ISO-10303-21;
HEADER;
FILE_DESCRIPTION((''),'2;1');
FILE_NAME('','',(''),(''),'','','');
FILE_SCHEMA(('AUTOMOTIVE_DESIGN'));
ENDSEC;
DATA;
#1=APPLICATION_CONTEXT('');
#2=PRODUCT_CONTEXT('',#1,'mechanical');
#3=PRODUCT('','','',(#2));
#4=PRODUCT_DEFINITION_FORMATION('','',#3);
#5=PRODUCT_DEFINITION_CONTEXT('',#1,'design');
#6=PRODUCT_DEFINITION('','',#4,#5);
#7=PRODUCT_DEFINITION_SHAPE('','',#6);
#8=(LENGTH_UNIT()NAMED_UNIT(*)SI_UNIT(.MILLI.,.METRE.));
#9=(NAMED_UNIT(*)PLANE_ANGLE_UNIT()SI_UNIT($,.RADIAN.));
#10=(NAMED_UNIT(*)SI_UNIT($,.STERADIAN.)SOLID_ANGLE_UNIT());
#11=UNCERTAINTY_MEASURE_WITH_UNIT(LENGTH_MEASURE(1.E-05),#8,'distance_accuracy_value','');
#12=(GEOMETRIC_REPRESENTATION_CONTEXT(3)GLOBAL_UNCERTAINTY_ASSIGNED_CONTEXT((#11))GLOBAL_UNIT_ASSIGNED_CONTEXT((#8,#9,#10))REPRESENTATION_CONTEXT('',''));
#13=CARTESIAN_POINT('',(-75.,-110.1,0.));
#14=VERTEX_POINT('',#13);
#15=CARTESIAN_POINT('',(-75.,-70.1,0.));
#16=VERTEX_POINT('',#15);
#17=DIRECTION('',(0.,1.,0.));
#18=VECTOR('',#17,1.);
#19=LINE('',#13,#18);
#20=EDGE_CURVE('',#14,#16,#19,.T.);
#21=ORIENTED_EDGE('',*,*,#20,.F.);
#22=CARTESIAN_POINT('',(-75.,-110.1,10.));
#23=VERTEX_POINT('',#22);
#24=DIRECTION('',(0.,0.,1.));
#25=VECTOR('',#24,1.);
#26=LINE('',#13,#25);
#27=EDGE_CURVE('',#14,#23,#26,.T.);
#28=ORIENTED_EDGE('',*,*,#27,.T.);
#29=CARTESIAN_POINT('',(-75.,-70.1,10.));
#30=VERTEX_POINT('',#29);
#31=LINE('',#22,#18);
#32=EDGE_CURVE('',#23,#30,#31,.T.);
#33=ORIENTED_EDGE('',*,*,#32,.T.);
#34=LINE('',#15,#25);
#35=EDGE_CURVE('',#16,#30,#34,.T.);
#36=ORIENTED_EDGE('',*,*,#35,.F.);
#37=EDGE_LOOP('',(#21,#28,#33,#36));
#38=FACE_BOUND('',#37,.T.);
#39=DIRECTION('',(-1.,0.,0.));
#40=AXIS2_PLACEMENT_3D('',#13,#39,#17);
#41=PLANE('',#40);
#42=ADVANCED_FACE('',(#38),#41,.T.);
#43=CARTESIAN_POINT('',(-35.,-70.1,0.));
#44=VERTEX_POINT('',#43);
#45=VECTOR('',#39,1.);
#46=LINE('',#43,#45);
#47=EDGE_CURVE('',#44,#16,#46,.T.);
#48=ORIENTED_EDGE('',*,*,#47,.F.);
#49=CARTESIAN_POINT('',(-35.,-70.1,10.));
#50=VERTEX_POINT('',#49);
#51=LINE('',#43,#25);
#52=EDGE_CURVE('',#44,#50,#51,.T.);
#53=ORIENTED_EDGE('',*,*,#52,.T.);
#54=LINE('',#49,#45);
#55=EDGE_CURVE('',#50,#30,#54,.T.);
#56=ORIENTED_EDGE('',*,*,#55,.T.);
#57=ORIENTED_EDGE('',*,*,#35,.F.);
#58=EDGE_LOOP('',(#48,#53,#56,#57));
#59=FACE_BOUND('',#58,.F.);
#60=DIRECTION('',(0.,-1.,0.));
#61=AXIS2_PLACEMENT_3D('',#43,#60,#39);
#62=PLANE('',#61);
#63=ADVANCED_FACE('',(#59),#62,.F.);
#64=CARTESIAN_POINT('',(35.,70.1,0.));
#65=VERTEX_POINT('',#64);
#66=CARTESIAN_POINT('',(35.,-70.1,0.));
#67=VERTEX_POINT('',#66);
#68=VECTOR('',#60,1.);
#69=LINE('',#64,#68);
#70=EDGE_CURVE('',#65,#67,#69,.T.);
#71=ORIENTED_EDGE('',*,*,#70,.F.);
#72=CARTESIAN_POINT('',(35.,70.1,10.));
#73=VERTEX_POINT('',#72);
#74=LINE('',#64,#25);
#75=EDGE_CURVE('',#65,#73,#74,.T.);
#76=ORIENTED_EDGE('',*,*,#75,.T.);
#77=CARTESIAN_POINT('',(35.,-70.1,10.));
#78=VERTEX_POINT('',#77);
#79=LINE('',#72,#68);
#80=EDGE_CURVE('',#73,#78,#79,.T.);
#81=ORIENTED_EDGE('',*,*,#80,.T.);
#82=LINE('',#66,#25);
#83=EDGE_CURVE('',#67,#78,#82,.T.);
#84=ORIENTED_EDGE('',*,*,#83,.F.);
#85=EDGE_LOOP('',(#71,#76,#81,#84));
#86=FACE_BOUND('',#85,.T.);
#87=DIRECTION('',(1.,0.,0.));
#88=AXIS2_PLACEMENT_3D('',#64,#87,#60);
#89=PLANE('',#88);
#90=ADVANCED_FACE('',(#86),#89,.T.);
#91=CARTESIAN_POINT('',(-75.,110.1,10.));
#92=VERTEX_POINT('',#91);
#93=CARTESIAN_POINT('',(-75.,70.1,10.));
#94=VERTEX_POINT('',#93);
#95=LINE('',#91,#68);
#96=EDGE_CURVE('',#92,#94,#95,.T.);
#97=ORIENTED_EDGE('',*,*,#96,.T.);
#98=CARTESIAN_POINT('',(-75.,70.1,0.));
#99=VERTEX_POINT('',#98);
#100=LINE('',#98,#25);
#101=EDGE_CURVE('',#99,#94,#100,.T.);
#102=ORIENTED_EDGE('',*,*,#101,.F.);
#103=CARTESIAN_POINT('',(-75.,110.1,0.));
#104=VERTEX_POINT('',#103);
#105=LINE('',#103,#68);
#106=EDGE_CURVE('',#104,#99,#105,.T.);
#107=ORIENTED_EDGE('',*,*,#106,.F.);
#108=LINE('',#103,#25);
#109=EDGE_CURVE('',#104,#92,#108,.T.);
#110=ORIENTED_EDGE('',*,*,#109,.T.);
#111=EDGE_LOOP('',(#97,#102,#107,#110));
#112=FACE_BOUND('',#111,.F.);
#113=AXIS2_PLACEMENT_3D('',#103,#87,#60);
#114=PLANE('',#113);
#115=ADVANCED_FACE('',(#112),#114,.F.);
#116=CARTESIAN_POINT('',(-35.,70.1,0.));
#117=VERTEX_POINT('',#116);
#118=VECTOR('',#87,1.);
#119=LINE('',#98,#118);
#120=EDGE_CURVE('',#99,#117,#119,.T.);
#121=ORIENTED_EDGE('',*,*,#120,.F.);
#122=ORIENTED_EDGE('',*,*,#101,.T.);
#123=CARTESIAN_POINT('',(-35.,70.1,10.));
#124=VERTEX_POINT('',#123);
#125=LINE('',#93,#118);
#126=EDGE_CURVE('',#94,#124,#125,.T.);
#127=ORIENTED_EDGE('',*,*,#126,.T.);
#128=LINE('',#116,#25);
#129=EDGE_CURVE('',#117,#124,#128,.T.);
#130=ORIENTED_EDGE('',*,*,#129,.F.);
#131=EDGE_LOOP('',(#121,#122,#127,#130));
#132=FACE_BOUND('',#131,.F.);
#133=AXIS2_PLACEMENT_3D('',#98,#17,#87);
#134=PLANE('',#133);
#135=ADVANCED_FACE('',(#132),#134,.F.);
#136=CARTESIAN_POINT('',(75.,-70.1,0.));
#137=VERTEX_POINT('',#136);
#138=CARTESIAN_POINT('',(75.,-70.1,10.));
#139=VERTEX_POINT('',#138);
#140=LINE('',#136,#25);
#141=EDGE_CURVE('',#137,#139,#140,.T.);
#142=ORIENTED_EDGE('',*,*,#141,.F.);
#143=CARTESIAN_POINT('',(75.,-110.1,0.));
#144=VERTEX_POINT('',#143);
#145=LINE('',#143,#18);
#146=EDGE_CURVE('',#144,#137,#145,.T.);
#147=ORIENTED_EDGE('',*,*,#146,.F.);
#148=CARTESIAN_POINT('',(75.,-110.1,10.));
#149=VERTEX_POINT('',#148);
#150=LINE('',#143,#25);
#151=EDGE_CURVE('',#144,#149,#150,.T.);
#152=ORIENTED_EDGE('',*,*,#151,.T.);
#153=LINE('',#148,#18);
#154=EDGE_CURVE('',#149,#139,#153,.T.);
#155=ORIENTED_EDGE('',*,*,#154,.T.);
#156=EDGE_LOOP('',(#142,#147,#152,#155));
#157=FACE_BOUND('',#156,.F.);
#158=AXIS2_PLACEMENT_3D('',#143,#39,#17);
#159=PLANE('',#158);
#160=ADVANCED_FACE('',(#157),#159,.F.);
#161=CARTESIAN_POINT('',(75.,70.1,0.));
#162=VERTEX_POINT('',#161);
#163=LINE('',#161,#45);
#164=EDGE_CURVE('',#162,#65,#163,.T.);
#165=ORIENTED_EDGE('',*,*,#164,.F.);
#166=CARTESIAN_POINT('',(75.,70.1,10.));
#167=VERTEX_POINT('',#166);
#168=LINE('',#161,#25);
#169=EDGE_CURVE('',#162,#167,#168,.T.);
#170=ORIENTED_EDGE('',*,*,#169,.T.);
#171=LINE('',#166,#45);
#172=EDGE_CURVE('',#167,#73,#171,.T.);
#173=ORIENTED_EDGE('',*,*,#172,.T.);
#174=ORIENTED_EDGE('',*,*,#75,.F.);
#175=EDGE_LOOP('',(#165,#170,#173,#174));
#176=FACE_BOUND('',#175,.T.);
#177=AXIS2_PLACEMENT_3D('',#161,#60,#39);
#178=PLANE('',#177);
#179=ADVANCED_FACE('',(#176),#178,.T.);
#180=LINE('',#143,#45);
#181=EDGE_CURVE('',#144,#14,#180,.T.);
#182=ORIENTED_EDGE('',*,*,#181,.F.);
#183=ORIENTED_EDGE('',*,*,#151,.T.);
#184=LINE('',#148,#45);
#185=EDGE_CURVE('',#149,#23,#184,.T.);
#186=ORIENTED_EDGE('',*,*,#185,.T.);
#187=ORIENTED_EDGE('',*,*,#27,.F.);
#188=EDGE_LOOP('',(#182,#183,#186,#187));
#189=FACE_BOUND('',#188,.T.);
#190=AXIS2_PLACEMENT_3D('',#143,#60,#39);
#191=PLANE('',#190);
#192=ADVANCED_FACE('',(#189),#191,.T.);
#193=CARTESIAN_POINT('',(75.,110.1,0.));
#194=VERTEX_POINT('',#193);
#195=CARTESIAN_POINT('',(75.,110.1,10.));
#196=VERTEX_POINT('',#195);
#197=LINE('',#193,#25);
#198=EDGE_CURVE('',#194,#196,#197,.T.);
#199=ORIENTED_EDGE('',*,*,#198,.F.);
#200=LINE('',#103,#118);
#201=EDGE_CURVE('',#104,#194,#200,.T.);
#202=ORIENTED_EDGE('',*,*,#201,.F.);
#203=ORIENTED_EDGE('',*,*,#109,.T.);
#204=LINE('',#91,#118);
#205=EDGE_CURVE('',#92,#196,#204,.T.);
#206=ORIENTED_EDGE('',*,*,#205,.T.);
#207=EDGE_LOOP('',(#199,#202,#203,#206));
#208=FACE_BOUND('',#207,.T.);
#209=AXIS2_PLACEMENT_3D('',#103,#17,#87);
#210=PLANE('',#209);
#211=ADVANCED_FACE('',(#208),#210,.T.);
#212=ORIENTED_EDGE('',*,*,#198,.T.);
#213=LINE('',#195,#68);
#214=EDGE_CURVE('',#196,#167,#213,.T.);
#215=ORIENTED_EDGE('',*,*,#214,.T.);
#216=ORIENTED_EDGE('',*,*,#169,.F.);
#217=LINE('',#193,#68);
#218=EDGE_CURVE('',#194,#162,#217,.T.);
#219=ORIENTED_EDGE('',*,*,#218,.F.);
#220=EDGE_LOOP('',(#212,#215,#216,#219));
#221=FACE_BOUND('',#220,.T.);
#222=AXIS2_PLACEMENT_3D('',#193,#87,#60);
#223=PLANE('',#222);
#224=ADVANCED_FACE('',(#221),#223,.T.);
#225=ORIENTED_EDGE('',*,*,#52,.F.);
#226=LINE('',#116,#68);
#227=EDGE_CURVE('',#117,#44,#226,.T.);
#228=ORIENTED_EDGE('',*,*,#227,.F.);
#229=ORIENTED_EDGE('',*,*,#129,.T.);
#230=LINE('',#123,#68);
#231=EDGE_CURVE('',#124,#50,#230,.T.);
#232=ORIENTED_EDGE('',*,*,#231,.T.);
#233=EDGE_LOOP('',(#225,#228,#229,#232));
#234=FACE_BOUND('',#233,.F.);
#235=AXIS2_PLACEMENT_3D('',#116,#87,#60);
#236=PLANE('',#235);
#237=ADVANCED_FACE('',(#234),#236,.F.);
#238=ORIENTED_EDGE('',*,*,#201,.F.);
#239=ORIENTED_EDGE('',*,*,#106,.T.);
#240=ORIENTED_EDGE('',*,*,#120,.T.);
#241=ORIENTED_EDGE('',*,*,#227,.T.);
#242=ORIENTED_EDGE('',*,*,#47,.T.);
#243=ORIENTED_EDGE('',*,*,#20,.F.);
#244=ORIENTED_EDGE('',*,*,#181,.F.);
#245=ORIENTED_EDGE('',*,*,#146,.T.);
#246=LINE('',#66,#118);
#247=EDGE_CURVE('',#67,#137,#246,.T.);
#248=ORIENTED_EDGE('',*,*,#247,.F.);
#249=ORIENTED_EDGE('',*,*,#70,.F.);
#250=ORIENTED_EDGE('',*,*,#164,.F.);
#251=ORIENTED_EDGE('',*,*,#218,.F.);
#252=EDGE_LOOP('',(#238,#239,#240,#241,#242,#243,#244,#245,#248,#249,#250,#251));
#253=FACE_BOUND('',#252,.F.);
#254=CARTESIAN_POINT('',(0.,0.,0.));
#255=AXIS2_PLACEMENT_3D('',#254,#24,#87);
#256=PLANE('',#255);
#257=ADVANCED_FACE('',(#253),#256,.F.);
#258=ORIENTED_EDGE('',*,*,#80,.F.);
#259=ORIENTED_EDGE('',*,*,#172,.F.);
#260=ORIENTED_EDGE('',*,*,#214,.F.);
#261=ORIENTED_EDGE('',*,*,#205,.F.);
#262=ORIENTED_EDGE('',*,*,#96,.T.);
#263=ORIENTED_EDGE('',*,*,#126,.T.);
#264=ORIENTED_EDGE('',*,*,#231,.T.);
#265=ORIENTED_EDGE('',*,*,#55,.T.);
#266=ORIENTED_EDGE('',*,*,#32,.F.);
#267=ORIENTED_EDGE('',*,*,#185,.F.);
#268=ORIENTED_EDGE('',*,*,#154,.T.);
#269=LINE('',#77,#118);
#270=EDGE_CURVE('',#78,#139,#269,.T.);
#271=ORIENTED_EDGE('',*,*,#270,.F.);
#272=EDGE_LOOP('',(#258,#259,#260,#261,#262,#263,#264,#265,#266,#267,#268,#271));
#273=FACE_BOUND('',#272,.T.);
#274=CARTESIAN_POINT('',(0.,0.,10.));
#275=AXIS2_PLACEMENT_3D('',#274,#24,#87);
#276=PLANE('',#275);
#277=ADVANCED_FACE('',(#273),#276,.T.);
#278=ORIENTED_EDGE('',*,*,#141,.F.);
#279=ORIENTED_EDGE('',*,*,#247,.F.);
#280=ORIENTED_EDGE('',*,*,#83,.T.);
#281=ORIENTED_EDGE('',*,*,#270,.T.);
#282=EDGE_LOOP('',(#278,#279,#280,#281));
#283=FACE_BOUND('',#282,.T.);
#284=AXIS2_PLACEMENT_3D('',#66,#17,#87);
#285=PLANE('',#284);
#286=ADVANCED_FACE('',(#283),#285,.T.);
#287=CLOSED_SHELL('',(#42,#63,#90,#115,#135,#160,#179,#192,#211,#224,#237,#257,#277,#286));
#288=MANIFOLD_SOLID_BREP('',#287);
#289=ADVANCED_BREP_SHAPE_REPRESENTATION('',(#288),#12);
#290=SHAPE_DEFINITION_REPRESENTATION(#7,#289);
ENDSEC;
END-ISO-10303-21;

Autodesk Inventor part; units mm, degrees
ref_plane "YZ Plane" through (0, 0, 0) normal (1, 0, 0) x (0, 1, 0)
ref_plane "XZ Plane" through (0, 0, 0) normal (0, 1, 0) x (-1, 0, 0)
ref_plane "XY Plane" through (0, 0, 0) normal (0, 0, 1) x (1, 0, 0)
sketch "Sketch1" plane through (0, 0, 0) normal (0, 0, 1) x (1, 0, 0)
  line L0 (-65, 100.1) -> (65, 100.1) construction
  line L1 (65, 100.1) -> (65, -100.1) construction
  line L2 (65, -100.1) -> (-65, -100.1) construction
  line L3 (-65, -100.1) -> (-65, 100.1) construction
  line L4 (-65, 100.1) -> (65, -100.1) construction
  line L5 (65, 100.1) -> (-65, -100.1) construction
  line L6 (-75, 110.1) -> (75, 110.1)
  line L7 (75, 110.1) -> (75, -110.1) construction
  line L8 (75, -110.1) -> (-75, -110.1)
  line L9 (-75, -110.1) -> (-75, 110.1) construction
  line L10 (-75, 110.1) -> (75, -110.1) construction
  line L11 (75, 110.1) -> (-75, -110.1) construction
  line L12 (75, 110.1) -> (75, 70.1)
  line L13 (75, 70.1) -> (35, 70.1)
  line L14 (35, 70.1) -> (35, -70.1)
  line L15 (35, -70.1) -> (75, -70.1)
  line L16 (75, -110.1) -> (75, -70.1)
  line L17 (0, 110.1) -> (0, -110.1) construction
  line L18 (-75, 110.1) -> (-75, -110.1) construction
  line L19 (-75, 110.1) -> (-75, 70.1)
  line L20 (-75, 70.1) -> (-35, 70.1)
  line L21 (-35, 70.1) -> (-35, -70.1)
  line L22 (-35, -70.1) -> (-75, -70.1)
  line L23 (-75, -110.1) -> (-75, -70.1)
  point P0 (0, 0)
  dimension "d0" = 130
  dimension "d1" = 200.2
  dimension "d2" = 150
  dimension "d3" = 220.2
  dimension "d4" = 40
  dimension "d5" = 40
  dimension "d6" = 140.2
  dimension "d7" = 90
extrude "Extrusion1" add sketch "Sketch1" along normal blind 10
sketch "Sketch2" plane through (0, 0, 10) normal (0, 0, 1) x (1, 0, 0)
  line L0 (65, 100.1) -> (-65, -100.1) construction
  line L1 (-65, 100.1) -> (65, -100.1) construction
  circle A0 centre (65, 100.1) radius 5
  circle A1 centre (-65, 100.1) radius 5
  circle A2 centre (-65, -100.1) radius 5
  circle A3 centre (65, -100.1) radius 5
  point P0 (0, 0)
  dimension "d10" = 10
  dimension "d11" = 10
  dimension "d12" = 10
  dimension "d13" = 10
equation "\"d1\" = 1.54 * d0"
equation "\"d11\" = d10"
equation "\"d12\" = d10"
properties part number "Base" material "Polypropylene"
